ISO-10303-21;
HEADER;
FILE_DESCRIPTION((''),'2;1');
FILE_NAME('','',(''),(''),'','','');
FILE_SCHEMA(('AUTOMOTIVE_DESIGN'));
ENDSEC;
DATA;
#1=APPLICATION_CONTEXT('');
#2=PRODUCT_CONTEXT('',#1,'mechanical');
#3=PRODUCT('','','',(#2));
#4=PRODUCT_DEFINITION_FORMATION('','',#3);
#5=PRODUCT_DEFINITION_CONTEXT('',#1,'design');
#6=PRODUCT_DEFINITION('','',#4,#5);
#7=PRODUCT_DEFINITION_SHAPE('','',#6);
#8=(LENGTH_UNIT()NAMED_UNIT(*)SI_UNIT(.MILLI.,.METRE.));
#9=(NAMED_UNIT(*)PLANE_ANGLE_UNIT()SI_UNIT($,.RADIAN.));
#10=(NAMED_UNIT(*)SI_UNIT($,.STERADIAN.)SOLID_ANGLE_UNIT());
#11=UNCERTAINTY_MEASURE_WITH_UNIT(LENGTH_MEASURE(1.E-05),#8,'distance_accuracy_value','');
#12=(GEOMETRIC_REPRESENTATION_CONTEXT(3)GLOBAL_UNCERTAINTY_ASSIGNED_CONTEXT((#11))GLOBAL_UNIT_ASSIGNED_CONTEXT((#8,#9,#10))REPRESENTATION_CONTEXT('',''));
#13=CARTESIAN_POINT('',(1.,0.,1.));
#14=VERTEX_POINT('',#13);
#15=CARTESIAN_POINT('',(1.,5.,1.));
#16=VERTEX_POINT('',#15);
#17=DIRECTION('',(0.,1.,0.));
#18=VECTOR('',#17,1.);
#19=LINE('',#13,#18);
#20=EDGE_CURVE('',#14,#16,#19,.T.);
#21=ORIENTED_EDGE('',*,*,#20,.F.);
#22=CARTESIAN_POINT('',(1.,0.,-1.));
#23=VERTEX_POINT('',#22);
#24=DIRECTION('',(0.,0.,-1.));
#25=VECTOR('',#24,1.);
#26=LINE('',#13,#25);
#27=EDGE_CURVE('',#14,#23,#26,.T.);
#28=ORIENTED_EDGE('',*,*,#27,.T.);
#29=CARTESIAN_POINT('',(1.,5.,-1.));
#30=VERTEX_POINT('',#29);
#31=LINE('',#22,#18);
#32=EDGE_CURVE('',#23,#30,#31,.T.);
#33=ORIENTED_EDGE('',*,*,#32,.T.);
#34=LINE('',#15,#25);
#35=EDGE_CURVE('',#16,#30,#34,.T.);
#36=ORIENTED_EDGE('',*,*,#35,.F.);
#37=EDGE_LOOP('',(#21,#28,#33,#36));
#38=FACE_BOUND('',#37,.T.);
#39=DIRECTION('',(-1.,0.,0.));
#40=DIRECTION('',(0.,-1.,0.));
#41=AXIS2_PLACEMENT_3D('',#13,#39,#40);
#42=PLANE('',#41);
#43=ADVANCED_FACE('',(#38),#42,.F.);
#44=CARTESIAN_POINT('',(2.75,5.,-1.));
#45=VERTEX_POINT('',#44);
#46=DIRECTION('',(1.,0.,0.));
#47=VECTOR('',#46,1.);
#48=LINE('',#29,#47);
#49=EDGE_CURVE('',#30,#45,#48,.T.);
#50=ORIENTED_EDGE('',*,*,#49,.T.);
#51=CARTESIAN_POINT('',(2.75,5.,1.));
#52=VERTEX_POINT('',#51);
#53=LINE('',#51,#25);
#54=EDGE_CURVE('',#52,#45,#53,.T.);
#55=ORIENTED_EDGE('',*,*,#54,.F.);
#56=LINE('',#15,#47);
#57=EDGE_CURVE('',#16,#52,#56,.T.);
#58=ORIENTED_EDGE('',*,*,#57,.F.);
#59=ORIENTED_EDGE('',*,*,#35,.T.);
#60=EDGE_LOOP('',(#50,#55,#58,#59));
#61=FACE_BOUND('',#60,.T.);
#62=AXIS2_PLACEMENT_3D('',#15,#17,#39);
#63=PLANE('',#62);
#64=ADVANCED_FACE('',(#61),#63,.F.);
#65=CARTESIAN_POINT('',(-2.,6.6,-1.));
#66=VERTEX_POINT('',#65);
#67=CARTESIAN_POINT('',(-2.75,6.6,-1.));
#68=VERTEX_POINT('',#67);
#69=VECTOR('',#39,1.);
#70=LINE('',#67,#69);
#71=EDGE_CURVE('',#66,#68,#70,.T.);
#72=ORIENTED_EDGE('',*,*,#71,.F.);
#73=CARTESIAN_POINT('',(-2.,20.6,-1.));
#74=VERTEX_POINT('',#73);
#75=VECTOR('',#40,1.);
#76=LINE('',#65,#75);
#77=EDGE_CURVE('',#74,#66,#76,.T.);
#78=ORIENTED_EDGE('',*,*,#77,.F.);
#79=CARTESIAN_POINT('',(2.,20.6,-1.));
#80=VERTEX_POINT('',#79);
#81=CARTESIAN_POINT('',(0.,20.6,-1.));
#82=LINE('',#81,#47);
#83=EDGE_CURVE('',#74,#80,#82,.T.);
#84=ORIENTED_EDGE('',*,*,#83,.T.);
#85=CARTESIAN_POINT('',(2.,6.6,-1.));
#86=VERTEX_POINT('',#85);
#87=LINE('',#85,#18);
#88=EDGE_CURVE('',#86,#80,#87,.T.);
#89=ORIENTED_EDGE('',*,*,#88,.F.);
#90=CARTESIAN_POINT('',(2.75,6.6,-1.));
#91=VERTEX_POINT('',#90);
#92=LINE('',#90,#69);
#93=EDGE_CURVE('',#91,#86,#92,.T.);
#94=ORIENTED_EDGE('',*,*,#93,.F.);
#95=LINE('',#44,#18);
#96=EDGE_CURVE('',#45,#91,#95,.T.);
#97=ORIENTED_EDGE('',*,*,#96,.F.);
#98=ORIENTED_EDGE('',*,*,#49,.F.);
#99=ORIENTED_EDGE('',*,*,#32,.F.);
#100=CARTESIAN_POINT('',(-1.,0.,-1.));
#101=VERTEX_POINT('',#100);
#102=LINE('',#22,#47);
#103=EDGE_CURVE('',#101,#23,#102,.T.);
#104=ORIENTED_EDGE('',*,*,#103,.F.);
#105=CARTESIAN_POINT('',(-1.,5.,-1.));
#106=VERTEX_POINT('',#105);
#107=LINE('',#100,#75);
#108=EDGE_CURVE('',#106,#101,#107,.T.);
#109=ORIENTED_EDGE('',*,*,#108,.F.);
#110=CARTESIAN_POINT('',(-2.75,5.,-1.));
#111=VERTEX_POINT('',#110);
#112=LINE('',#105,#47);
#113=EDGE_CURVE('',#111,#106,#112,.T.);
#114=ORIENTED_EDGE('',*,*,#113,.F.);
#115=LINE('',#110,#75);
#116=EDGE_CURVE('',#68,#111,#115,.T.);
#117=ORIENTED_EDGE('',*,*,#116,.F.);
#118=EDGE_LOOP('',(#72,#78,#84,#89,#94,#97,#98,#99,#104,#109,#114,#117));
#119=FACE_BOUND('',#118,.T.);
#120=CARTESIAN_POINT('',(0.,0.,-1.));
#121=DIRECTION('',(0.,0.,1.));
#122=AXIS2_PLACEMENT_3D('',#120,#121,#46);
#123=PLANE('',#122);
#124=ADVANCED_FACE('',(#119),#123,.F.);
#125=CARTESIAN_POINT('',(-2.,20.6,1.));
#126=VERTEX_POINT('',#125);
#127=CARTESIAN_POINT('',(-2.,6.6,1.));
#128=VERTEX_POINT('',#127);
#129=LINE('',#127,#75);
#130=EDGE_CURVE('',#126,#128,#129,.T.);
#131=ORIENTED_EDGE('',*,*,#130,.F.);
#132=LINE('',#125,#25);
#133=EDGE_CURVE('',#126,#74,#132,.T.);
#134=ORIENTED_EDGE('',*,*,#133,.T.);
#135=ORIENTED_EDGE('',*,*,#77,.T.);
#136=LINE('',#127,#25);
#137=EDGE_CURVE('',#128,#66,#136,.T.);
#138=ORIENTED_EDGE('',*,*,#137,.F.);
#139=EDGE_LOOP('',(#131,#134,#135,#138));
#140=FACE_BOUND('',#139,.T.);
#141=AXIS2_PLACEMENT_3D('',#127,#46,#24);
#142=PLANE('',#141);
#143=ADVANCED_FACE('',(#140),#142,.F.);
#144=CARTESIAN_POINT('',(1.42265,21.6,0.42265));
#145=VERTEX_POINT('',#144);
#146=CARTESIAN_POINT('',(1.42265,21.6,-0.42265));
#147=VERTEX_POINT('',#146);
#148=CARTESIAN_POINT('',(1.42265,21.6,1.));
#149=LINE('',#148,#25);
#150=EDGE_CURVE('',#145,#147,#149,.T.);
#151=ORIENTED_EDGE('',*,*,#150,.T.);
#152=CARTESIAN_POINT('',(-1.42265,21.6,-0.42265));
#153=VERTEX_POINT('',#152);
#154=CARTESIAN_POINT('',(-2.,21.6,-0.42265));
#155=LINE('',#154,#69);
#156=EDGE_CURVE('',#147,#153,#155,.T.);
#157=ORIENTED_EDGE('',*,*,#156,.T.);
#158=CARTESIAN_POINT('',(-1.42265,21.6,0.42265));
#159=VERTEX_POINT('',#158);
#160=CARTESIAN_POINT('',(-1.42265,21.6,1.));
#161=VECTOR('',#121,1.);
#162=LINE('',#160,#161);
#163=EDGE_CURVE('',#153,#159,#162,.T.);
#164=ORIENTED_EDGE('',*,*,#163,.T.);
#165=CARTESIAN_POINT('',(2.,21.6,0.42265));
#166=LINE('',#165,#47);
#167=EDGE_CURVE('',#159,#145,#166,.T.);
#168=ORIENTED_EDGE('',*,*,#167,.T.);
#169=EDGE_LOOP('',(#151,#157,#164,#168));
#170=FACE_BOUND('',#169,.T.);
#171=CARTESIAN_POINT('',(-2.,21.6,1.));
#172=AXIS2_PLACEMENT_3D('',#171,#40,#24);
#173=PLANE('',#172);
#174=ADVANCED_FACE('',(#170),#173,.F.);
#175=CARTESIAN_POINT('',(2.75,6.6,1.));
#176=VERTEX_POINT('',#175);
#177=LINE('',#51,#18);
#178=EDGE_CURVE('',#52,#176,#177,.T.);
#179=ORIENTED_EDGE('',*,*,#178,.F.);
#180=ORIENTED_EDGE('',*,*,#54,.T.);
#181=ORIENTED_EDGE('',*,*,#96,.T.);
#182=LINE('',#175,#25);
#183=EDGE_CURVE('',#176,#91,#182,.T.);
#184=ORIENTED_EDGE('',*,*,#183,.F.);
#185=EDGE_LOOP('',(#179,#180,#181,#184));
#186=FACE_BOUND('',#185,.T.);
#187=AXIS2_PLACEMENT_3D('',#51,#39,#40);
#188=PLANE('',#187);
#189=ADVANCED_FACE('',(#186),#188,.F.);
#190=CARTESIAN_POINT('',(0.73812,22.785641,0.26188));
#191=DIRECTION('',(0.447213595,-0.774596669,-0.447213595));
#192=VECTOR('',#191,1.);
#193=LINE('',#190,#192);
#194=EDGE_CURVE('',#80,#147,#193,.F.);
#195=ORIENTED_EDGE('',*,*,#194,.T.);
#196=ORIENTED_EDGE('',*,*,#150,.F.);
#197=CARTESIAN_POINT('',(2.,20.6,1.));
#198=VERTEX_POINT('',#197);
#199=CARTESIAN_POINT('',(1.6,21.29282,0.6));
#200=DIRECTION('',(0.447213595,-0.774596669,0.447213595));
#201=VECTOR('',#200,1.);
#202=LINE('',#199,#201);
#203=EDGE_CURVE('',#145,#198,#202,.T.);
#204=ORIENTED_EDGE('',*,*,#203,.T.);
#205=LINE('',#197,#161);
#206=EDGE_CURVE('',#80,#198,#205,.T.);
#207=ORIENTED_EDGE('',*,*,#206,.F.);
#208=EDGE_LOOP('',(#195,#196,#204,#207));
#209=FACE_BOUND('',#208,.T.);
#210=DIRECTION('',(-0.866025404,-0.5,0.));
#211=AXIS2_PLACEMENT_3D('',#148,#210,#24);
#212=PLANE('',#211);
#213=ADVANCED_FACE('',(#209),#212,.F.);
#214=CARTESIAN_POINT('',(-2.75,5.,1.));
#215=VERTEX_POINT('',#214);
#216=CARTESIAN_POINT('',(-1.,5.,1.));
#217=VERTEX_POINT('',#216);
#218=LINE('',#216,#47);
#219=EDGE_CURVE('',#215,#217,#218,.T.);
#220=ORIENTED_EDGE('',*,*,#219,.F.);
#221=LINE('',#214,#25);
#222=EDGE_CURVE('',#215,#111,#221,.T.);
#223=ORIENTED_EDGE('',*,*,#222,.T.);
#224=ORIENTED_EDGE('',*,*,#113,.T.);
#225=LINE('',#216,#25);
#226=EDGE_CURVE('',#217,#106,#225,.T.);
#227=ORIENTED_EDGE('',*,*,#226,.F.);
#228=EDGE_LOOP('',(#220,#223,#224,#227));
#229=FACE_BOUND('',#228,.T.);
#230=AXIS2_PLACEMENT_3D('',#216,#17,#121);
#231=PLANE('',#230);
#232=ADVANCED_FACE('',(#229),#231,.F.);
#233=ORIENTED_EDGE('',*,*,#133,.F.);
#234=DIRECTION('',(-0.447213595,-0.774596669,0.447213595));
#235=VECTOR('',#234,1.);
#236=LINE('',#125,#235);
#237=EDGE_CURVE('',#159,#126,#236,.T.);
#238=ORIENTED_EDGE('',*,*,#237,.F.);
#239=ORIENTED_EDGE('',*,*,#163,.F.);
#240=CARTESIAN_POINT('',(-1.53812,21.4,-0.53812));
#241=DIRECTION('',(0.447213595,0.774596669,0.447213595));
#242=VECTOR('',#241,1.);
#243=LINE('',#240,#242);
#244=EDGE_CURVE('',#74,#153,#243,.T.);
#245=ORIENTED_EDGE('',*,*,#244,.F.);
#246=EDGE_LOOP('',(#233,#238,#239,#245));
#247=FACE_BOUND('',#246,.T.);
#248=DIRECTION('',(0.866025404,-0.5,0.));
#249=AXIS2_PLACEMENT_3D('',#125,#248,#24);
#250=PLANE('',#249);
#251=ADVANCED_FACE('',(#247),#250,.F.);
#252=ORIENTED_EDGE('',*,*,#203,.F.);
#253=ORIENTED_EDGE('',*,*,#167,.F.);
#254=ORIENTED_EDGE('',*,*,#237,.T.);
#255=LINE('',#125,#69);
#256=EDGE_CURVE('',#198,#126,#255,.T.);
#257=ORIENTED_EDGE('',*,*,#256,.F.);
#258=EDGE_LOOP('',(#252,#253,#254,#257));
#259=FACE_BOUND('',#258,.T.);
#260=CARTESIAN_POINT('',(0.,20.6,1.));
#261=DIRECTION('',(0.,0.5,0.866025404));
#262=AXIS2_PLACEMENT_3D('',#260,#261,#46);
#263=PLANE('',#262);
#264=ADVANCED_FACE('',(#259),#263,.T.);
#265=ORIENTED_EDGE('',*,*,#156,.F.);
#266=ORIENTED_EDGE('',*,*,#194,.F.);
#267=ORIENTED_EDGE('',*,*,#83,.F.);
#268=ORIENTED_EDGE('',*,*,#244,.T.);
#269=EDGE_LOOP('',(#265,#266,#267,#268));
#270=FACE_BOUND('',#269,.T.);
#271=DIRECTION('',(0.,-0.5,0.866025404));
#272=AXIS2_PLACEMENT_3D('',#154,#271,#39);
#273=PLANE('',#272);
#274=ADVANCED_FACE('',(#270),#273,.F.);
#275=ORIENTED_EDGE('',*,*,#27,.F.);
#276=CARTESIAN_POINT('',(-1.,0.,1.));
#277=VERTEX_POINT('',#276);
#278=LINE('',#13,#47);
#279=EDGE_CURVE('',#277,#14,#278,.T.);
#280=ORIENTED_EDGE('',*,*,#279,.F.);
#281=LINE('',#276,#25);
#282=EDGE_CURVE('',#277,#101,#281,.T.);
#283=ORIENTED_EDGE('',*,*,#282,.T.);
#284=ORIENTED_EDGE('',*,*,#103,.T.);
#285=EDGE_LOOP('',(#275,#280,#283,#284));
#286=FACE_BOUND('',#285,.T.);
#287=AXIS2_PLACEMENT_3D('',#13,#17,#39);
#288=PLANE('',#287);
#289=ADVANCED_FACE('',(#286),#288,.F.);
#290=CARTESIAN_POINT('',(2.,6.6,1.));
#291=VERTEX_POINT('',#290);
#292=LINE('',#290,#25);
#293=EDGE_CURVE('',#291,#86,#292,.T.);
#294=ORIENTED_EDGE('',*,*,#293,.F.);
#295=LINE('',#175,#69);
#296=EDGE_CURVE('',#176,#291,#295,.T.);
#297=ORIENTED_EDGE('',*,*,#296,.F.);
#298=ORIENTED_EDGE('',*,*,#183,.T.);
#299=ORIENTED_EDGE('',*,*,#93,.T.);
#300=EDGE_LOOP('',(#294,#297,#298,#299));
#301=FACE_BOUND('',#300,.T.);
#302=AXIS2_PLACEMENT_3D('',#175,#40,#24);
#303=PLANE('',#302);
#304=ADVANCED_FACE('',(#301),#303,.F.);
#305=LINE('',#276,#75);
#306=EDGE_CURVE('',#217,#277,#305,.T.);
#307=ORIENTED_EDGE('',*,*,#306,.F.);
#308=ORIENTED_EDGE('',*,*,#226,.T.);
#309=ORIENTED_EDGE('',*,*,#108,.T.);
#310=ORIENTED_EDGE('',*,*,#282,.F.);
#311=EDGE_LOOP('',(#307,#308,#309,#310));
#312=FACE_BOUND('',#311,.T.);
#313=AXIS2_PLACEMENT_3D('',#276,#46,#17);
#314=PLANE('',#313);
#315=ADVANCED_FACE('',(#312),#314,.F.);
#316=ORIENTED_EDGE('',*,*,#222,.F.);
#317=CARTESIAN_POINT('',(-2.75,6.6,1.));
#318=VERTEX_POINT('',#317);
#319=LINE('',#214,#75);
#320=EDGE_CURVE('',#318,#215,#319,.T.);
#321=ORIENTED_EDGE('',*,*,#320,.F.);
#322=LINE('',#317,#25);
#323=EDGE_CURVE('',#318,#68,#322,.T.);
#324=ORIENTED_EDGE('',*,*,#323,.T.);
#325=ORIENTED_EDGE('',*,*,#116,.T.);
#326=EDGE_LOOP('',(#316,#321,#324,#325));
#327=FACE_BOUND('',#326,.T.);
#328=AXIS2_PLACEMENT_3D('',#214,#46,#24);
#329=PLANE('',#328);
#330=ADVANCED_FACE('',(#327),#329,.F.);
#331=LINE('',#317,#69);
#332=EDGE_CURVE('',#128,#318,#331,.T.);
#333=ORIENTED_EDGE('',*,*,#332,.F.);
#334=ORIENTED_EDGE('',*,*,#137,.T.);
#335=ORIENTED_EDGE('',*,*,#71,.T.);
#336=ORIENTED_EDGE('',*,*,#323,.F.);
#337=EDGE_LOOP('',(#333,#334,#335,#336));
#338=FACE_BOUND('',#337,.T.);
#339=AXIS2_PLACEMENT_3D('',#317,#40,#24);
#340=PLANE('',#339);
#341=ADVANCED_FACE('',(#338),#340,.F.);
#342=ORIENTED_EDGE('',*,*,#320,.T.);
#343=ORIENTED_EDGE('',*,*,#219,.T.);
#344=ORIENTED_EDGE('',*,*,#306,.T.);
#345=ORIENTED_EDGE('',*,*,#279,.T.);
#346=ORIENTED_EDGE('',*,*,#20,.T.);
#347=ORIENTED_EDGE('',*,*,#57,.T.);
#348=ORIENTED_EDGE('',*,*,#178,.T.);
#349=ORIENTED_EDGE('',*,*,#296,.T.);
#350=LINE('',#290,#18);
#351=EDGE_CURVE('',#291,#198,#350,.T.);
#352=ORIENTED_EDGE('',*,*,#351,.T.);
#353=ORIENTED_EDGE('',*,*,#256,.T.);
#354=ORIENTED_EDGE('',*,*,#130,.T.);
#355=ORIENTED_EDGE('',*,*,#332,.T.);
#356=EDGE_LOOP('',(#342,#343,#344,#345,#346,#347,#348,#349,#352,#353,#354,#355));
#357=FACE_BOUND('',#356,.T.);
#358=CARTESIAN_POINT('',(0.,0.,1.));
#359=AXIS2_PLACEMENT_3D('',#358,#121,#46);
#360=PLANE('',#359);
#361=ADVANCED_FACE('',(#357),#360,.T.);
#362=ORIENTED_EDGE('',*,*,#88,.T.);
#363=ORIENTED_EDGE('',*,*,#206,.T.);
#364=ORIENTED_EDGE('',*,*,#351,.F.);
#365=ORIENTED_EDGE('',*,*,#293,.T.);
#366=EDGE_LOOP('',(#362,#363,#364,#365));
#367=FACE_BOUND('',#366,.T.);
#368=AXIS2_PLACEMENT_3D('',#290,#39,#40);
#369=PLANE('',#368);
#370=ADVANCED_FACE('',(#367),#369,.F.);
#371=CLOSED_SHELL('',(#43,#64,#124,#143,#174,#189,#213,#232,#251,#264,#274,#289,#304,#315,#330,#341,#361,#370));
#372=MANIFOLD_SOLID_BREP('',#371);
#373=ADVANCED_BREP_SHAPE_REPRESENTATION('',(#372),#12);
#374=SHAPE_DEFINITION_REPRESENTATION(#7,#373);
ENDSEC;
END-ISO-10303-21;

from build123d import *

# Parameters (mm, degrees)
EXTRUDE_1_DEPTH        = 1
CHAMFER_1_SIZE         = 1
CHAMFER_1_SIZE2        = 0.577350269
CHAMFER_1_PART_2_SIZE  = 1
CHAMFER_1_PART_2_SIZE2 = 0.577350269
CHAMFER_1_PART_3_SIZE  = 1
CHAMFER_1_PART_3_SIZE2 = 0.577350269
CHAMFER_1_PART_4_SIZE  = 1
CHAMFER_1_PART_4_SIZE2 = 0.577350269


with BuildPart() as part:
    # Эскиз1 → Бобышка-Вытянуть1 (new body, symmetric)
    with BuildSketch(Plane.XY):
        Polygon((1, 0), (-1, 0), (-1, 5), (-2.75, 5), (-2.75, 6.6), (-2, 6.6), (-2, 21.6), (2, 21.6), (2, 6.6), (2.75, 6.6), (2.75, 5), (1, 5), align=None)
    extrude(amount=EXTRUDE_1_DEPTH, both=True)

    # Фаска1
    chamfer_1_edges = [part.edges().sort_by_distance(p)[0] for p in [
        (0, 21.6, -1),
    ]]
    chamfer_1_side = [part.faces().sort_by_distance(p)[0] for p in [
        (0, 11.701015228, -1),
    ]]
    chamfer(chamfer_1_edges, length=CHAMFER_1_SIZE, length2=CHAMFER_1_SIZE2, reference=chamfer_1_side[0])

    # Фаска1 part 2
    chamfer_1_part_2_edges = [part.edges().sort_by_distance(p)[0] for p in [
        (-2, 21.6, 0),
    ]]
    chamfer_1_part_2_side = [part.faces().sort_by_distance(p)[0] for p in [
        (-2, 14.1, 0),
    ]]
    chamfer(chamfer_1_part_2_edges, length=CHAMFER_1_PART_2_SIZE, length2=CHAMFER_1_PART_2_SIZE2, reference=chamfer_1_part_2_side[0])

    # Фаска1 part 3
    chamfer_1_part_3_edges = [part.edges().sort_by_distance(p)[0] for p in [
        (2, 21.6, 0),
    ]]
    chamfer_1_part_3_side = [part.faces().sort_by_distance(p)[0] for p in [
        (2, 14.1, 0),
    ]]
    chamfer(chamfer_1_part_3_edges, length=CHAMFER_1_PART_3_SIZE, length2=CHAMFER_1_PART_3_SIZE2, reference=chamfer_1_part_3_side[0])

    # Фаска1 part 4
    chamfer_1_part_4_edges = [part.edges().sort_by_distance(p)[0] for p in [
        (0, 21.6, 1),
    ]]
    chamfer_1_part_4_side = [part.faces().sort_by_distance(p)[0] for p in [
        (0, 11.701015228, 1),
    ]]
    chamfer(chamfer_1_part_4_edges, length=CHAMFER_1_PART_4_SIZE, length2=CHAMFER_1_PART_4_SIZE2, reference=chamfer_1_part_4_side[0])


solid = part.part
